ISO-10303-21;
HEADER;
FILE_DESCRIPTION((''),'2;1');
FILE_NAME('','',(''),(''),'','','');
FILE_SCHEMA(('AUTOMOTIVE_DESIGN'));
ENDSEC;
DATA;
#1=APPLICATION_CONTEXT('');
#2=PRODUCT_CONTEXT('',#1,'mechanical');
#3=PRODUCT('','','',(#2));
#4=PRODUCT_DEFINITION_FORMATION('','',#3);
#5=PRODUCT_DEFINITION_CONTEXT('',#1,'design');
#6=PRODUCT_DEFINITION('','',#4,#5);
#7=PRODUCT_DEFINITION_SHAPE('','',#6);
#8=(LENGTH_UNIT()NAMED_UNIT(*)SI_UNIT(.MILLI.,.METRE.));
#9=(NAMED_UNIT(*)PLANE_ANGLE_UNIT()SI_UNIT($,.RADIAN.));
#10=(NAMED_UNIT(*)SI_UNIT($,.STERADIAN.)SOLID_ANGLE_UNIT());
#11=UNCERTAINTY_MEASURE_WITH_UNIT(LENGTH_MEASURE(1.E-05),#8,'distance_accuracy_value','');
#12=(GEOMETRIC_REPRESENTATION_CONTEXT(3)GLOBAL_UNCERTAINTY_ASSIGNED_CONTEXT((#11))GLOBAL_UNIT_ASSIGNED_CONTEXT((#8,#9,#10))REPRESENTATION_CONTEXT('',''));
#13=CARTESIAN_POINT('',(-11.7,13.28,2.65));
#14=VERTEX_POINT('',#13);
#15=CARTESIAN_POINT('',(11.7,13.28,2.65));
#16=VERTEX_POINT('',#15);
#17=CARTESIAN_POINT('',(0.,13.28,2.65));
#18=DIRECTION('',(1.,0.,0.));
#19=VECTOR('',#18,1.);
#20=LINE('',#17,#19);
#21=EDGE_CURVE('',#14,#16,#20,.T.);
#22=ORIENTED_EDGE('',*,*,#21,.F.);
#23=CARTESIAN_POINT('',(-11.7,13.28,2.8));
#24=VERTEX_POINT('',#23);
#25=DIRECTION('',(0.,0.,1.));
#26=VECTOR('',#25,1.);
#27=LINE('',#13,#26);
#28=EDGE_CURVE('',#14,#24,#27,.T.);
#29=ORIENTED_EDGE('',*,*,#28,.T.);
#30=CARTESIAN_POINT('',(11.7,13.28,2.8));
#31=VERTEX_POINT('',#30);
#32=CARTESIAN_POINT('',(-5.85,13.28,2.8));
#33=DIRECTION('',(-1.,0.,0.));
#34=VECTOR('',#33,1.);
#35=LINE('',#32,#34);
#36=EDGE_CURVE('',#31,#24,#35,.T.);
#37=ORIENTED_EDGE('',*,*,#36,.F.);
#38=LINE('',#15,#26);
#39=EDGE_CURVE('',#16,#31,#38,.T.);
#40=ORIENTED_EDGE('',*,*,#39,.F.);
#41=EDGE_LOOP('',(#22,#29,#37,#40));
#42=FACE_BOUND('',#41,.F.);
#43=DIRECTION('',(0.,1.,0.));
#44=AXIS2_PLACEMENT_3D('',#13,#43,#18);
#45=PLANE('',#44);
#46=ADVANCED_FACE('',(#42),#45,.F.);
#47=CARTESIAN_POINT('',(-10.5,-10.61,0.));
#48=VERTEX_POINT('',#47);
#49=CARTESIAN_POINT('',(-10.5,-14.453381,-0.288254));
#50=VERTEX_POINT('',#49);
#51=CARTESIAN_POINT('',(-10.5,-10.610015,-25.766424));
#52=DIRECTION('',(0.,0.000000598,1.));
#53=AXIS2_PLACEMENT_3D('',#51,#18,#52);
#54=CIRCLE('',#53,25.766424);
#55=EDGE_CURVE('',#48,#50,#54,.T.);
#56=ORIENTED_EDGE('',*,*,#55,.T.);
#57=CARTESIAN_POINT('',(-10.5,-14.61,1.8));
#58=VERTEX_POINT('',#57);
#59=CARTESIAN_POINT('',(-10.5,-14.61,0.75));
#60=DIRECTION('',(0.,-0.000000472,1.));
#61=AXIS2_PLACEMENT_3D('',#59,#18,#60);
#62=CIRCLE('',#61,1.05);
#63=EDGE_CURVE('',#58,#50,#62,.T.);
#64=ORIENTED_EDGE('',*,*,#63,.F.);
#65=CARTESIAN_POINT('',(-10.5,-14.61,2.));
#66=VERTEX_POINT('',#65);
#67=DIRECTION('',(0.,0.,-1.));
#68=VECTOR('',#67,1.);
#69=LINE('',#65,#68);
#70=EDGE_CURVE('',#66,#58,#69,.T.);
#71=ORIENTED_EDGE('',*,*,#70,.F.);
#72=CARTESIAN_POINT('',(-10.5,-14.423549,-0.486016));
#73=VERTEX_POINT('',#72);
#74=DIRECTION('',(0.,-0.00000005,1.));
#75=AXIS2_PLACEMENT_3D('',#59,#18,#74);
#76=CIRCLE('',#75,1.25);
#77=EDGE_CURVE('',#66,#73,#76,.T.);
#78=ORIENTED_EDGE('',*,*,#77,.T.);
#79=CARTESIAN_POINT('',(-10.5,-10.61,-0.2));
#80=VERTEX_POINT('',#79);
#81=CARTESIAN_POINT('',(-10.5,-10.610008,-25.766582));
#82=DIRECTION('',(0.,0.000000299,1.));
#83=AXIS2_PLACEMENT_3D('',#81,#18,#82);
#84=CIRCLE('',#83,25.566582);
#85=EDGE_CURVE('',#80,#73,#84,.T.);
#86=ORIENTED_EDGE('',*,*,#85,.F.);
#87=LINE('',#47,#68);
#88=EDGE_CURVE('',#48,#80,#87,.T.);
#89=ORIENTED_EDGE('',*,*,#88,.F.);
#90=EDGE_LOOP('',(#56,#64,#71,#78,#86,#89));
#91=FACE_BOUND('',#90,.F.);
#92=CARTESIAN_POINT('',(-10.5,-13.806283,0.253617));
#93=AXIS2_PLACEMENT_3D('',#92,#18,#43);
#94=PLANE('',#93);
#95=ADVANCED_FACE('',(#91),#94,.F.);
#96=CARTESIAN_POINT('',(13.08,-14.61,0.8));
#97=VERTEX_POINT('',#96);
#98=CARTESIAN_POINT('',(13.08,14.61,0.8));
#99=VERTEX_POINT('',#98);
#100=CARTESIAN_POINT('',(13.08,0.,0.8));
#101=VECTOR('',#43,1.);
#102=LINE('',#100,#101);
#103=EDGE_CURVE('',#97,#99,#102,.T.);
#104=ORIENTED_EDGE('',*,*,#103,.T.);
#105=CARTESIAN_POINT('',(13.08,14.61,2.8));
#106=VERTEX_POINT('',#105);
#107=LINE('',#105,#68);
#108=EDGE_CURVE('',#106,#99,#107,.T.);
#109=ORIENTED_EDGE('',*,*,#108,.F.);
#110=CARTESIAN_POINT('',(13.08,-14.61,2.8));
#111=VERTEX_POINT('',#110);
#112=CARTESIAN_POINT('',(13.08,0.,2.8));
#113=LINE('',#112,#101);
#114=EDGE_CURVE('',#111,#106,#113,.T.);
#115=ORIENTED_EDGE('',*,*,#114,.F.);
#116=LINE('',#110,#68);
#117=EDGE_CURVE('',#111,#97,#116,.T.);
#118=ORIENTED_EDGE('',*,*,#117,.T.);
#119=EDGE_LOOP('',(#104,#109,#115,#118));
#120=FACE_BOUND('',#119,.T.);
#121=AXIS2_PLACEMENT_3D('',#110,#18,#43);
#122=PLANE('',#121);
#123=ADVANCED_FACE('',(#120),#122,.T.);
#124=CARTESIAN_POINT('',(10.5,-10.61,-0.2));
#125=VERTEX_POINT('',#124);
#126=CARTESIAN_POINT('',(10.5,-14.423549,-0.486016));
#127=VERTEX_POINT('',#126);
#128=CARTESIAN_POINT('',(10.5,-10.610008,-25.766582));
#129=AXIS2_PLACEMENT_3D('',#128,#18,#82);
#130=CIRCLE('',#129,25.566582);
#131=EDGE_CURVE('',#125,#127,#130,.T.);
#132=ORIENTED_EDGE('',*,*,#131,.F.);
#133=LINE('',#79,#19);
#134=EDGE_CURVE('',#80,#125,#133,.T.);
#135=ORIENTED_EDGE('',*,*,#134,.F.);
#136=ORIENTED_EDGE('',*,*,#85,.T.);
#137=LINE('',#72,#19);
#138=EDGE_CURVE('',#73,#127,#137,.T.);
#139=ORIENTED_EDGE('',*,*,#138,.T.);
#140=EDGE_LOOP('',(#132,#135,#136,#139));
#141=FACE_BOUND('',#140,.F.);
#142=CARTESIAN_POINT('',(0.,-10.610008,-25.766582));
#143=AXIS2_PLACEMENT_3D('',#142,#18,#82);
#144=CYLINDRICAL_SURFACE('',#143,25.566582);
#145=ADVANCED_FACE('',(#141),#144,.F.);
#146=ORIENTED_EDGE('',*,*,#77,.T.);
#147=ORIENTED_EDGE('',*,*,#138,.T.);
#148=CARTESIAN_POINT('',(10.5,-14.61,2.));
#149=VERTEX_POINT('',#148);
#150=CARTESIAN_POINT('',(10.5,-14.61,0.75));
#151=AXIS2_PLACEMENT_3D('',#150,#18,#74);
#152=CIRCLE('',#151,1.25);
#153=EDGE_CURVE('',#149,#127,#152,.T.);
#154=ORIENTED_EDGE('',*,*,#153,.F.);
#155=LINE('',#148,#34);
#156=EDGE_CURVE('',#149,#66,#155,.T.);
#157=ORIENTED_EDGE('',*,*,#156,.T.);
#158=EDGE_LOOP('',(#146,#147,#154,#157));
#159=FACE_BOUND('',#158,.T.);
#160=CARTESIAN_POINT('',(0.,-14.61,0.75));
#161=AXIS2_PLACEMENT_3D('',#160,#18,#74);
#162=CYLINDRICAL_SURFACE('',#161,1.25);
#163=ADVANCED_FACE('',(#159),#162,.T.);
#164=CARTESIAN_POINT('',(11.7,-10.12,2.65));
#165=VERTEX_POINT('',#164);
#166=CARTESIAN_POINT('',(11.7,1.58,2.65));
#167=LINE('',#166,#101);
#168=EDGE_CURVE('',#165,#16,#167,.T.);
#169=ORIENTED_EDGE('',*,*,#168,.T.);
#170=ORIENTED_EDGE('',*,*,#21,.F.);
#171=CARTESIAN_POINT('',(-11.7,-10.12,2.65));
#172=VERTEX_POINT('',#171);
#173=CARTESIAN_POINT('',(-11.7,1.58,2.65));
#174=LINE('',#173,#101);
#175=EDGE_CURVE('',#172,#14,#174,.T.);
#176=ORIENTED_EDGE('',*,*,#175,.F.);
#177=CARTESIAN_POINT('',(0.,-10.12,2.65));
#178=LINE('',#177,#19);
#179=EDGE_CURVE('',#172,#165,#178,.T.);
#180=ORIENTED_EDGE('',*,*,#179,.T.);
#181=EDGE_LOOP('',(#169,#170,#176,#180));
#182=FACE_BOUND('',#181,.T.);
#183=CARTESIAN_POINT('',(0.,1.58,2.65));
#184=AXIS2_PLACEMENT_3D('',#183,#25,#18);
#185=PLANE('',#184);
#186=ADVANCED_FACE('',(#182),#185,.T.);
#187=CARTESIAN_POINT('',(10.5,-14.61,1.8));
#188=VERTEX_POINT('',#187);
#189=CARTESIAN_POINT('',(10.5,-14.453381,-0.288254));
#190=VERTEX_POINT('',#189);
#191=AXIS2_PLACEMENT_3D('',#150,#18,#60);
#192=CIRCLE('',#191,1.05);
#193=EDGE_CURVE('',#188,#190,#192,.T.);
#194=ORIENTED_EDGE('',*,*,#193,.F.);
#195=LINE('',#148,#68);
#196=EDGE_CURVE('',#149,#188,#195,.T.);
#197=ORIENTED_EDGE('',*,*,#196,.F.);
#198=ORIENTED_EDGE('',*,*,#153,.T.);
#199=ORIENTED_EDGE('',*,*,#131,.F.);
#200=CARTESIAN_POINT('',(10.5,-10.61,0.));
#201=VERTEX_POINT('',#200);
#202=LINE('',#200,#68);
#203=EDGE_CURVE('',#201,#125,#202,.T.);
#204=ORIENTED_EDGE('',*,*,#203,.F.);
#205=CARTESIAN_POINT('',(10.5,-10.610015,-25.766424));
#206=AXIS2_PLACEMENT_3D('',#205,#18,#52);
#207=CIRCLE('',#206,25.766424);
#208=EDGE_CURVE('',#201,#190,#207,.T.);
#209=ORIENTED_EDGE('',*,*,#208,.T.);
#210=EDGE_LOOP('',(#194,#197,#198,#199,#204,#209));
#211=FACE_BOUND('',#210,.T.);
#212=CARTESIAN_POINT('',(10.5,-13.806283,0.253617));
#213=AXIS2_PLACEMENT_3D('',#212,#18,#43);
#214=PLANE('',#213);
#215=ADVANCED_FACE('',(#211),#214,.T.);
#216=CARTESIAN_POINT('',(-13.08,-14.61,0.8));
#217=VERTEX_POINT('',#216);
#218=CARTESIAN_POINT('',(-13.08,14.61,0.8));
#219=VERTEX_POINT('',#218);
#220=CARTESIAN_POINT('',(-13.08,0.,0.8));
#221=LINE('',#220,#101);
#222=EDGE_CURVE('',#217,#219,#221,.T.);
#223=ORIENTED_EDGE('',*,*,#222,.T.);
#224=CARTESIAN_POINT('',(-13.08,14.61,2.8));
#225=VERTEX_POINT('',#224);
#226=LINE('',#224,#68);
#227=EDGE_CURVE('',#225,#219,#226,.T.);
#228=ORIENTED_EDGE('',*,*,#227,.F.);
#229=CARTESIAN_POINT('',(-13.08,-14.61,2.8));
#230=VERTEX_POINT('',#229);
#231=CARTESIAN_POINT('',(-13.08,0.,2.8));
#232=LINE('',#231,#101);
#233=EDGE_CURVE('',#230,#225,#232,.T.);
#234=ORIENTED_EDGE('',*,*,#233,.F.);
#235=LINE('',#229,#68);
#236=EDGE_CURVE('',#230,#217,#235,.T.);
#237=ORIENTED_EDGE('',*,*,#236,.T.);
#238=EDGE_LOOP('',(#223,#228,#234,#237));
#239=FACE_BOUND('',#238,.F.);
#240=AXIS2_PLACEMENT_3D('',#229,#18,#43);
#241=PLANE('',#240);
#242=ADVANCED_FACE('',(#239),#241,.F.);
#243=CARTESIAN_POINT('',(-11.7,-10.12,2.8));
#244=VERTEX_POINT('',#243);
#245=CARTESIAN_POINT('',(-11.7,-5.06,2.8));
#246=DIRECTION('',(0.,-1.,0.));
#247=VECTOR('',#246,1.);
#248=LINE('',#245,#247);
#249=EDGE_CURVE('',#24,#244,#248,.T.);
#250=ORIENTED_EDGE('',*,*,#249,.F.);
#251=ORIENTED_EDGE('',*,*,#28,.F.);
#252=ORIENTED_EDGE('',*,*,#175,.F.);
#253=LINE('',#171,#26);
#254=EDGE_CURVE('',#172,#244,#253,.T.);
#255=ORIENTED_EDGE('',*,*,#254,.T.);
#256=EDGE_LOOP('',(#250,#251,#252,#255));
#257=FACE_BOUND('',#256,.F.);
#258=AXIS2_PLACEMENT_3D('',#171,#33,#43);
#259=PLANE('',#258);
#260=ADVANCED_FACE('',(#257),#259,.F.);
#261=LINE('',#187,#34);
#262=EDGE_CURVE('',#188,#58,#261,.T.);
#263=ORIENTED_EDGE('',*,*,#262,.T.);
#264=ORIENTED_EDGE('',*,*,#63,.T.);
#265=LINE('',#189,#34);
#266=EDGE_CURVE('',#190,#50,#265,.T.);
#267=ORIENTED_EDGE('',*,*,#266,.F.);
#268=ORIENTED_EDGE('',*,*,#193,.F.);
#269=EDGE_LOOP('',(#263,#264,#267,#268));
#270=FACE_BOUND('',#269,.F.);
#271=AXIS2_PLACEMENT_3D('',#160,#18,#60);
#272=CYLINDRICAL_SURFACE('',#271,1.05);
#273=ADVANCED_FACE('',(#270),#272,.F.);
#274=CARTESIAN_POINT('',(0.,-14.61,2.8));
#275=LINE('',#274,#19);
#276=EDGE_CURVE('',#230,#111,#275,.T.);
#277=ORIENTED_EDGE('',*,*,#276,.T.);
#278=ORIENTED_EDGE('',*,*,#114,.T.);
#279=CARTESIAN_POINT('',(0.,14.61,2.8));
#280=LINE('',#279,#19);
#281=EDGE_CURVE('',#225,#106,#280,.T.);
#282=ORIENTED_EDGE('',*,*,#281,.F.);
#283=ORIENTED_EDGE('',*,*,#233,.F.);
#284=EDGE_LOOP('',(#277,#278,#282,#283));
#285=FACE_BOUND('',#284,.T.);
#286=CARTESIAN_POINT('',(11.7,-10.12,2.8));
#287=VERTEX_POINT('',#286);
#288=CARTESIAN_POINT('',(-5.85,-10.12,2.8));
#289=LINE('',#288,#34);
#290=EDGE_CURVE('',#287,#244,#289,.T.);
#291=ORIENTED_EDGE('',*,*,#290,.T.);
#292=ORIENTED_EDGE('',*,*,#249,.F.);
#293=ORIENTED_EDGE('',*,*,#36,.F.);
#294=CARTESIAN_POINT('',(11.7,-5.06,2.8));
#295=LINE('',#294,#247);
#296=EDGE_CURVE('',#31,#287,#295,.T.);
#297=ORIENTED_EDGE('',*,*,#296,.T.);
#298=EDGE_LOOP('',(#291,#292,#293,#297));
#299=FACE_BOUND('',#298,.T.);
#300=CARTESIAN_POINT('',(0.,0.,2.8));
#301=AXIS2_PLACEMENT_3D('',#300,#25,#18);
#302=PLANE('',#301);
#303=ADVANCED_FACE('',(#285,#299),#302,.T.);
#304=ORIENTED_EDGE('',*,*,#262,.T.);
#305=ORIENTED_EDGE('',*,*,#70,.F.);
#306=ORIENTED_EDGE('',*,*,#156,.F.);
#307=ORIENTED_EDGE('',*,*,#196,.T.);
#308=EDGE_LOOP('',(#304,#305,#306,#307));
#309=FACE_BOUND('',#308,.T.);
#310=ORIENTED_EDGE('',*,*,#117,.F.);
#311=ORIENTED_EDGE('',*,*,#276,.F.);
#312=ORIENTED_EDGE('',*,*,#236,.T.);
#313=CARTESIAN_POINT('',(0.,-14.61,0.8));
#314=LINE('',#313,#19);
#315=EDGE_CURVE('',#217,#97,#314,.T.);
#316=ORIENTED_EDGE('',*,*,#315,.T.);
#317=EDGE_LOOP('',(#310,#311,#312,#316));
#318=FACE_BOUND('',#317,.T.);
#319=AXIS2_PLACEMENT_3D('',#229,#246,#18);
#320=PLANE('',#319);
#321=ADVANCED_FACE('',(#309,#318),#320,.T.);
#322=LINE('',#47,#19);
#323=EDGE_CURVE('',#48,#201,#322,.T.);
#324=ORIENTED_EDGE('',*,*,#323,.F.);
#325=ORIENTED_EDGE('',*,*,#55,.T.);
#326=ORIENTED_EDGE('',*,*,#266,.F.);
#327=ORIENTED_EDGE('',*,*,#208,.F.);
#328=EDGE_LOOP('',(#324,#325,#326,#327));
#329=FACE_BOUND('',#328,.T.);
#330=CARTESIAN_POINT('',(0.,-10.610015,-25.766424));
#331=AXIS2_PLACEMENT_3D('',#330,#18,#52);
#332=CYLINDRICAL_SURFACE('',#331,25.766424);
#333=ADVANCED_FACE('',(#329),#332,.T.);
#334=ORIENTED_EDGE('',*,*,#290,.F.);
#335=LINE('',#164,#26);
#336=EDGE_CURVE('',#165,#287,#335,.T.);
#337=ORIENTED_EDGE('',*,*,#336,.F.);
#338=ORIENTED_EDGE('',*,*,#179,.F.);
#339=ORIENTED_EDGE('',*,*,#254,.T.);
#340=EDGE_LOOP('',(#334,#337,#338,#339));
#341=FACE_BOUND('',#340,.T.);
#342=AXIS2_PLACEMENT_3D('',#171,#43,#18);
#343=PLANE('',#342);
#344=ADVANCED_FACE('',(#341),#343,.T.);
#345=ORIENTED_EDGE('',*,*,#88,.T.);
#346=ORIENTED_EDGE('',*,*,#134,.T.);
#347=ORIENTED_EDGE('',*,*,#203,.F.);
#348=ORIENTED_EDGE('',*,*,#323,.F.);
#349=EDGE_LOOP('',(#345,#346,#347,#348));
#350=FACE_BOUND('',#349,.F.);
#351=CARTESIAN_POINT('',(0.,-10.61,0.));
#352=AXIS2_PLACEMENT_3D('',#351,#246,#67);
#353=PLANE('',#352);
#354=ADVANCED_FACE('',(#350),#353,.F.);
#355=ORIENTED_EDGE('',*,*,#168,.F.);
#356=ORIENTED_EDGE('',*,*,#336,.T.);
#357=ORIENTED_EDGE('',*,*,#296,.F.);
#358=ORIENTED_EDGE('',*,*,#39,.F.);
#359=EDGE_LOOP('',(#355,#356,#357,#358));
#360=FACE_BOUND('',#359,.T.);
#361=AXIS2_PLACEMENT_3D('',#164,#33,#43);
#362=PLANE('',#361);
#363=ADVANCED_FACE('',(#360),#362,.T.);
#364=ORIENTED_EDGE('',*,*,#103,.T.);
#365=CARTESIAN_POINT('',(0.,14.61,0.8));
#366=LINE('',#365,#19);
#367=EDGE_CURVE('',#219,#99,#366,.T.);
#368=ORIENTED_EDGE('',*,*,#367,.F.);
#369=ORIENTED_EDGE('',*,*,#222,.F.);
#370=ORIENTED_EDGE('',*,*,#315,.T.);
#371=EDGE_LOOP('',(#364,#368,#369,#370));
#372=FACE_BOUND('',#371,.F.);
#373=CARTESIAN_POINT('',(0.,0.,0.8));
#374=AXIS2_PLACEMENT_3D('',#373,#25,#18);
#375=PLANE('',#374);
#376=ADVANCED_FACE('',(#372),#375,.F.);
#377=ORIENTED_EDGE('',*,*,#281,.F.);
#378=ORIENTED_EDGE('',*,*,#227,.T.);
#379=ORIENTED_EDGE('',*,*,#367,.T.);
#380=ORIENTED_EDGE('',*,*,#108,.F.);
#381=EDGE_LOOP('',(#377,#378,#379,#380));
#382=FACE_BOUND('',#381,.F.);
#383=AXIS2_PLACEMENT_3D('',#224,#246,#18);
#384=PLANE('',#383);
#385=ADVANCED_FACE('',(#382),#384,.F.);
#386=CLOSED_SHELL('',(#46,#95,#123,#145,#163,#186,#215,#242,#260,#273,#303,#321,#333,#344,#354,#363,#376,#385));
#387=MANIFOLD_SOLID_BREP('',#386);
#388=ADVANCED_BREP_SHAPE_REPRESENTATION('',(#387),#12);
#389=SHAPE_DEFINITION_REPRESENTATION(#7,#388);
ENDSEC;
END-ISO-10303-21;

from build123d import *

# Parameters (mm, degrees)
SKETCH001_W     = 26.16
SKETCH001_H     = 29.22
PAD001_DEPTH    = 2
SKETCH003_W     = 23.4
SKETCH003_H     = 23.4
POCKET001_DEPTH = 0.151
PAD002_DEPTH    = 10.5


with BuildPart() as part:
    # Sketch001 → Pad001 (new body)
    with BuildSketch(Plane.XY.offset(2.8)):
        Rectangle(SKETCH001_W, SKETCH001_H)
    extrude(amount=-PAD001_DEPTH)

    # Sketch003 → Pocket001 (cut, through all)
    with BuildSketch(Plane.XY.offset(2.65)):
        with Locations((0, 1.58)):
            Rectangle(SKETCH003_W, SKETCH003_H)
    extrude(amount=POCKET001_DEPTH, mode=Mode.SUBTRACT)

    # Sketch004 → Pad002 (join, symmetric)
    with BuildSketch(Plane.YZ):
        with BuildLine():
            ThreePointArc((-14.61, 2), (-15.856499, 0.656513), (-14.423549, -0.486016))
            ThreePointArc((-10.61, -0.2), (-12.52213, -0.271604), (-14.423549, -0.486016))
            Line((-10.61, 0), (-10.61, -0.2))
            ThreePointArc((-10.61, 0), (-12.537088, -0.072164), (-14.453381, -0.288254))
            ThreePointArc((-14.61, 1.8), (-15.657059, 0.671471), (-14.453381, -0.288254))
            Line((-14.61, 2), (-14.61, 1.8))
        make_face()
    extrude(amount=PAD002_DEPTH, both=True)


solid = part.part
